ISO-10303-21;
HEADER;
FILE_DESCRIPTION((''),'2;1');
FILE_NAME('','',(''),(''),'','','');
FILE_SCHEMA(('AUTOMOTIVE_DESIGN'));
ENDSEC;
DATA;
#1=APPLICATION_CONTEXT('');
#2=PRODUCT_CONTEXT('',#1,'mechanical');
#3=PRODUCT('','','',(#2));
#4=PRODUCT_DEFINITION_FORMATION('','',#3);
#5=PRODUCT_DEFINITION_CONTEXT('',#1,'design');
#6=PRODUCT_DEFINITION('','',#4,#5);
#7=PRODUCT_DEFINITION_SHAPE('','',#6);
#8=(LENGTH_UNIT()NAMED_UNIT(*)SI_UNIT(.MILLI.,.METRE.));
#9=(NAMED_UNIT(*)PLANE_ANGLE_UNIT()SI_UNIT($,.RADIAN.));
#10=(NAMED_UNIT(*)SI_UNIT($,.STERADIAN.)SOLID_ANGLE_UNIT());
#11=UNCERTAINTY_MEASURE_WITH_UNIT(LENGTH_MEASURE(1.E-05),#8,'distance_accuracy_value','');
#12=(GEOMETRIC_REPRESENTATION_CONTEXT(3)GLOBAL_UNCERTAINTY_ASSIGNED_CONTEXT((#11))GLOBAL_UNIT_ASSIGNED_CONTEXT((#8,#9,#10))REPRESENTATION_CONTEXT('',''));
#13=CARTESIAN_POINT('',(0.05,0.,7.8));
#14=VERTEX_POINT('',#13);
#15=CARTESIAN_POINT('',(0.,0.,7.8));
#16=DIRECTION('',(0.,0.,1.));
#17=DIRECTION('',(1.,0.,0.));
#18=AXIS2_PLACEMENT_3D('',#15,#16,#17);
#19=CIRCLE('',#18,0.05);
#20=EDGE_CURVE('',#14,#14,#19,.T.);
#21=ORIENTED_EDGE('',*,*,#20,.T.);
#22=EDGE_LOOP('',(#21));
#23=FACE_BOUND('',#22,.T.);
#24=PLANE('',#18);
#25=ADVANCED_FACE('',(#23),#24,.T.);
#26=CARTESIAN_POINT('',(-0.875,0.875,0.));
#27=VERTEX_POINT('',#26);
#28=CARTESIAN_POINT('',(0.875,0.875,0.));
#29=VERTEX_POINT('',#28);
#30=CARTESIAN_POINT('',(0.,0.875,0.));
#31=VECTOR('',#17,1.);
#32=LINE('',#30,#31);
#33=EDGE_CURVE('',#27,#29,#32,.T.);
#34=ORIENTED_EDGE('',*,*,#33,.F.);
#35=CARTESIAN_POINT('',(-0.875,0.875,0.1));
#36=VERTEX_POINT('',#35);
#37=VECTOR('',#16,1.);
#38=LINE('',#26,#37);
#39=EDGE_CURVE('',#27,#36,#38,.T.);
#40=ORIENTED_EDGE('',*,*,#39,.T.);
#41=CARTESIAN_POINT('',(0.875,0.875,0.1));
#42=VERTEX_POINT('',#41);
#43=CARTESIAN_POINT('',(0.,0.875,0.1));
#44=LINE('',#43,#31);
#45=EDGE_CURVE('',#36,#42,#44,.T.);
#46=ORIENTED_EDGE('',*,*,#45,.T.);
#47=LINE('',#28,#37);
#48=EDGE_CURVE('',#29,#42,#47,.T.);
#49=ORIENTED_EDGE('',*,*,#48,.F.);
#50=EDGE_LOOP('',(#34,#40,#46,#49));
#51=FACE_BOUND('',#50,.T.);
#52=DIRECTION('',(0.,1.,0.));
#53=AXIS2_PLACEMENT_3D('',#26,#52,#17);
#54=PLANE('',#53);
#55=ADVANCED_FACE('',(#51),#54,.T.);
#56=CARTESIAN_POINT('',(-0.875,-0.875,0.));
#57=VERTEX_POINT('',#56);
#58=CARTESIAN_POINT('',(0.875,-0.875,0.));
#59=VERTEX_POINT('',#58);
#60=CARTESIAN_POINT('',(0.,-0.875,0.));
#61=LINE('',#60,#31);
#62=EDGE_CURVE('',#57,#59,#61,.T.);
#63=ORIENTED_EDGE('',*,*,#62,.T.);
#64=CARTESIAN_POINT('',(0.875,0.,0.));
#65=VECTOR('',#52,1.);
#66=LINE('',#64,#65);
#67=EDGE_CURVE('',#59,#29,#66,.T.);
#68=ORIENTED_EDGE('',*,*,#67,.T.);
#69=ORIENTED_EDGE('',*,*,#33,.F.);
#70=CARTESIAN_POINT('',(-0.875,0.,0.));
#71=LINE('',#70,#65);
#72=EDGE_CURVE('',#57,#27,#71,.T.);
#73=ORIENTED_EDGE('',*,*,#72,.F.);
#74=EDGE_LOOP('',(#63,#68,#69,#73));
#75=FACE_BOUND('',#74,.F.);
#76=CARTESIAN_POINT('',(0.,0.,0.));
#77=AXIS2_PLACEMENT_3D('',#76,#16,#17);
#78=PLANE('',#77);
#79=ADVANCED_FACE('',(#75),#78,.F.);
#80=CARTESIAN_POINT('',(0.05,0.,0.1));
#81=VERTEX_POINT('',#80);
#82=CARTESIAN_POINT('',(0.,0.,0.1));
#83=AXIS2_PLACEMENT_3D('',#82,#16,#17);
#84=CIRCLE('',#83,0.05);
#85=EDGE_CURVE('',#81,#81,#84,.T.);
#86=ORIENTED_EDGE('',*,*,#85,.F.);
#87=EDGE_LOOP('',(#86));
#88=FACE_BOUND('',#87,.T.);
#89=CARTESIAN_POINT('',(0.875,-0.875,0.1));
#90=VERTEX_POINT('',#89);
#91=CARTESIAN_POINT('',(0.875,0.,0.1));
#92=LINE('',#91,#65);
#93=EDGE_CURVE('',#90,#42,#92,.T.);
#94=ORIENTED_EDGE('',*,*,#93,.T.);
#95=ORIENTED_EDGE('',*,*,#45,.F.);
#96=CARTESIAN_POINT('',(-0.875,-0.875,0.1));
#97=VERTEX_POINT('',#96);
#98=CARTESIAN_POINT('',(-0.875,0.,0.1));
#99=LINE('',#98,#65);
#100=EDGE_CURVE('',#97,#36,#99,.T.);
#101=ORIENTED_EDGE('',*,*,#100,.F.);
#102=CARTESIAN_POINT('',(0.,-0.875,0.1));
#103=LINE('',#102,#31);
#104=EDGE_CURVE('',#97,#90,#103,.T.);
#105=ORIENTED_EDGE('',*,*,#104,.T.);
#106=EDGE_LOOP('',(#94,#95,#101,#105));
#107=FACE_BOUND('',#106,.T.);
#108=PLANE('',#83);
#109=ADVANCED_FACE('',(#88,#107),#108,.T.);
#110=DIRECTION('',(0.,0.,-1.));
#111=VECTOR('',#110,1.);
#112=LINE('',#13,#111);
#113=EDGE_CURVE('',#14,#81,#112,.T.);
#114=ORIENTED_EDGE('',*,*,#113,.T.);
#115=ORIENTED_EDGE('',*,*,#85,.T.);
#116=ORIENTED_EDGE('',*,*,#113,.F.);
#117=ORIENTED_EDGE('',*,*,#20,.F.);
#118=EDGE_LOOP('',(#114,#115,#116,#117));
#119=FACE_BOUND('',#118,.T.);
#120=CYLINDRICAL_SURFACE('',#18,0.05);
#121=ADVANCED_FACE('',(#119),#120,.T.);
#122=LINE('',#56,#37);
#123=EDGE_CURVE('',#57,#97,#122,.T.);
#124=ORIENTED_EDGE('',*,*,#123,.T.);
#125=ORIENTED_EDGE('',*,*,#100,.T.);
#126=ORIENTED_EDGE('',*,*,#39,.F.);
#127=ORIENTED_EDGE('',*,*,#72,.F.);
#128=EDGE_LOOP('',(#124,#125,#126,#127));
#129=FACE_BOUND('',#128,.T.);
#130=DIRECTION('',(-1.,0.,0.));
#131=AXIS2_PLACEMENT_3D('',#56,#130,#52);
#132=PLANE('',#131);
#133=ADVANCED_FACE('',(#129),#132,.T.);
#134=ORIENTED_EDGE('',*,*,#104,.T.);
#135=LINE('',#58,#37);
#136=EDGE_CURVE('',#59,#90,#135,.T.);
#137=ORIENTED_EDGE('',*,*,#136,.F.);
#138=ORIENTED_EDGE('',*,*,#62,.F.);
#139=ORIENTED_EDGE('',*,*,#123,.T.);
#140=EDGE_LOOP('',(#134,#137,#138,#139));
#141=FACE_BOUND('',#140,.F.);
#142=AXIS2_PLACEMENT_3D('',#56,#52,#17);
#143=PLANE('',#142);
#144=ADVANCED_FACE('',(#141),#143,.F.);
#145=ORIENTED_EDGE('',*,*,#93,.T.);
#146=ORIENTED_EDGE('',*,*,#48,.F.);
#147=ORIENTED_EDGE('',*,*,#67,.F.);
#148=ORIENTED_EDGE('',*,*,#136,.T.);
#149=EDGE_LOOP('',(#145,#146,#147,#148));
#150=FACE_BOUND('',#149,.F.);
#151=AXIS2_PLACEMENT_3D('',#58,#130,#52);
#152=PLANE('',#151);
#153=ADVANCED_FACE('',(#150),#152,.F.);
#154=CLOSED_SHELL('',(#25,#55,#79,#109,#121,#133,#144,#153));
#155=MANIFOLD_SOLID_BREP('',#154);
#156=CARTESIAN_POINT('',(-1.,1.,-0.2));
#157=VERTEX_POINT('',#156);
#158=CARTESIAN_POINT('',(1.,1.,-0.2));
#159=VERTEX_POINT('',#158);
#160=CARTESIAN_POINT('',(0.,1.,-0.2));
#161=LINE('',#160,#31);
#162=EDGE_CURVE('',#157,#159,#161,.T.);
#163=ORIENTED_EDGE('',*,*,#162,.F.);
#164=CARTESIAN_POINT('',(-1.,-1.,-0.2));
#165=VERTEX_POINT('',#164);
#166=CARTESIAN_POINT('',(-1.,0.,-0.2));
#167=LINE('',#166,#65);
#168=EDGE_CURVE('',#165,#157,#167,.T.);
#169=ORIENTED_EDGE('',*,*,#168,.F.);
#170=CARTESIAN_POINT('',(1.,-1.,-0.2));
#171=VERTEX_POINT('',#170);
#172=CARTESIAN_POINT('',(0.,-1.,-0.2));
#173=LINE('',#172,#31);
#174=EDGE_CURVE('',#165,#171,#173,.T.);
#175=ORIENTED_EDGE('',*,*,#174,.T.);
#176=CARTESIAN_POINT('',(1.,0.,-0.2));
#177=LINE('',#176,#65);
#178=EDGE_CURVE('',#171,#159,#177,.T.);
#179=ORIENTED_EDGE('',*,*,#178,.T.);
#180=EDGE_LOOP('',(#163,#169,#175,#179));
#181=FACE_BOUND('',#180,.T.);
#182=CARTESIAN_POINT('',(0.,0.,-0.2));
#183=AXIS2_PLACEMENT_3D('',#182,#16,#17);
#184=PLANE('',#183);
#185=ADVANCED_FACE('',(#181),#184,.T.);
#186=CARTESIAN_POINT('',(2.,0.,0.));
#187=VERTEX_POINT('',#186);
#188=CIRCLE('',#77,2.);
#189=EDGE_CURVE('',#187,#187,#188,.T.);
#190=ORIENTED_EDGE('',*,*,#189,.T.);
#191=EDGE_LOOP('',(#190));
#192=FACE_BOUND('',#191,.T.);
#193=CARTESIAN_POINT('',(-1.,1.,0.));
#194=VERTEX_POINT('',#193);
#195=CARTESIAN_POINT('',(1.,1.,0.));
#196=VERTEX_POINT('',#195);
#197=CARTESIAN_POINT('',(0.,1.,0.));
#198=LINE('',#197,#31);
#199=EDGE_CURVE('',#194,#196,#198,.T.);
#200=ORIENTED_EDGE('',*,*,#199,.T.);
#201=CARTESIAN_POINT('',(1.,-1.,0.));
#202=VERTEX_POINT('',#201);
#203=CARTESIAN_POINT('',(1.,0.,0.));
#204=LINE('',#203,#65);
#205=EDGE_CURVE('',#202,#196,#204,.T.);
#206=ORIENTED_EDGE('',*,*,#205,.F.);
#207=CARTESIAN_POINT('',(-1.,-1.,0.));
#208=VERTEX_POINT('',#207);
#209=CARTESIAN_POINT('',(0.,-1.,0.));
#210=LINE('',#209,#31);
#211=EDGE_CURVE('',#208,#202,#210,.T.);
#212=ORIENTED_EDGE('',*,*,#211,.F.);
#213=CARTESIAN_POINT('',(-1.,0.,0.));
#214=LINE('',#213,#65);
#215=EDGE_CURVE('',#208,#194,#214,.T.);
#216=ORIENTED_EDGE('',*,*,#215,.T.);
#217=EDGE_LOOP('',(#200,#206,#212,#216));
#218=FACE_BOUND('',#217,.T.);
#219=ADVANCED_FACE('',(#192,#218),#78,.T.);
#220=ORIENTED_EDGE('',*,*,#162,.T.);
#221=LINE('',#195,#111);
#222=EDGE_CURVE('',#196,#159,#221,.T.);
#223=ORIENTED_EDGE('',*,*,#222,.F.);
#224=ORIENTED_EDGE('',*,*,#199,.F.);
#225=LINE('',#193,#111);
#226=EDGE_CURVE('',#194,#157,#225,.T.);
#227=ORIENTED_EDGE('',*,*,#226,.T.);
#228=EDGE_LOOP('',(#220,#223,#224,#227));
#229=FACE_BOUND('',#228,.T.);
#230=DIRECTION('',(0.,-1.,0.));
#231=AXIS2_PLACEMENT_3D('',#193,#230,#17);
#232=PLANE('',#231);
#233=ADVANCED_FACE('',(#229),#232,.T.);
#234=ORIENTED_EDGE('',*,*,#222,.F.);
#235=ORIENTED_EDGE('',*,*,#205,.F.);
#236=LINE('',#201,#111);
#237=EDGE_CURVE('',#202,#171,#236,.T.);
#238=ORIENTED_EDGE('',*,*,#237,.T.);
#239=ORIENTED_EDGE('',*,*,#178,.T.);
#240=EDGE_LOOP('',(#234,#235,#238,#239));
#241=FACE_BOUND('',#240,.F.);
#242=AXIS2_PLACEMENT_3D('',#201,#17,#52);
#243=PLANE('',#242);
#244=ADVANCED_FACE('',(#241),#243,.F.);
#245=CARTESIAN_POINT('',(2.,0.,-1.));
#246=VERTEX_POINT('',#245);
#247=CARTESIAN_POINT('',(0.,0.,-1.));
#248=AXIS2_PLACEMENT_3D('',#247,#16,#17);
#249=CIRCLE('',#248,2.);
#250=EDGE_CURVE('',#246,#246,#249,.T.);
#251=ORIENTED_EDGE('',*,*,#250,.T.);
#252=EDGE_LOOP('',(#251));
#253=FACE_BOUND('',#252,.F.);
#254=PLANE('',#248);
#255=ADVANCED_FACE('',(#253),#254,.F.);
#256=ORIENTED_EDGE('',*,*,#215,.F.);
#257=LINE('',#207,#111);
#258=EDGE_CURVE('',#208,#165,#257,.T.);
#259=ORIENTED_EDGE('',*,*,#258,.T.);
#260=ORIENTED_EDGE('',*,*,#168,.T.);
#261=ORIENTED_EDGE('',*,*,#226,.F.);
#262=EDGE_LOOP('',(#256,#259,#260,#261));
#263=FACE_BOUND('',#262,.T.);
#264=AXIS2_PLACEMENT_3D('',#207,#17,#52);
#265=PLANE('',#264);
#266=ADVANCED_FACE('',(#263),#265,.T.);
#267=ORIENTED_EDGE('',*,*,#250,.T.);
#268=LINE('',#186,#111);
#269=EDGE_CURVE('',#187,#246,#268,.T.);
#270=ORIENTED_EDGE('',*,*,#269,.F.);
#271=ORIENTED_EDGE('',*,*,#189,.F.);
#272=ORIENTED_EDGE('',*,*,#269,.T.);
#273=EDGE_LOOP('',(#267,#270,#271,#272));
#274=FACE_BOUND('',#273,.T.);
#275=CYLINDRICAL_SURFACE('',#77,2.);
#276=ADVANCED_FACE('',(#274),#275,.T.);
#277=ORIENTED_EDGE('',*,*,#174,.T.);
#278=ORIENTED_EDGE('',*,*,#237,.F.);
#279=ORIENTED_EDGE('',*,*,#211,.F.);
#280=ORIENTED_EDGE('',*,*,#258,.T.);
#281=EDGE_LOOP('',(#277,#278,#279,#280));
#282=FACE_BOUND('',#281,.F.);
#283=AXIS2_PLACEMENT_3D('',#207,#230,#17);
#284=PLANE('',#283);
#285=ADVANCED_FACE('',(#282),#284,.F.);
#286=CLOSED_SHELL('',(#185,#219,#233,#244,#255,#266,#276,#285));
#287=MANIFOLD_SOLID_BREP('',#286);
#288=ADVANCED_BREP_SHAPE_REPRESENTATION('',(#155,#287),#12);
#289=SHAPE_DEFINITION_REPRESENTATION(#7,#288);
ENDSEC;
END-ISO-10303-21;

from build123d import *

# Parameters (mm, degrees)
F2_R     = 0.05
F3_DEPTH = 7.8
F0_W     = 1.75
F0_H     = 1.75
F4_DEPTH = 0.1
F5_R     = 2
F6_DEPTH = 1
F7_W     = 2
F7_H     = 2
F8_DEPTH = 0.2


with BuildPart() as f3:
    # F2 (on offset) → F3 (new body)
    with BuildSketch(Plane.XY.offset(7.8)):
        Circle(F2_R)
    extrude(amount=-F3_DEPTH)

    # F0 (on Top) → F4 (join)
    with BuildSketch(Plane.XY):
        Rectangle(F0_W, F0_H)
    extrude(amount=F4_DEPTH)


with BuildPart() as f6:
    # F5 (on Top) → F6 (new body)
    with BuildSketch(Plane.XY):
        Circle(F5_R)
    extrude(amount=-F6_DEPTH)

    # F7 (on face) → F8 (cut)
    with BuildSketch(Plane.XY):
        Rectangle(F7_W, F7_H)
    extrude(amount=-F8_DEPTH, mode=Mode.SUBTRACT)


solid = Compound([f3.part, f6.part])
